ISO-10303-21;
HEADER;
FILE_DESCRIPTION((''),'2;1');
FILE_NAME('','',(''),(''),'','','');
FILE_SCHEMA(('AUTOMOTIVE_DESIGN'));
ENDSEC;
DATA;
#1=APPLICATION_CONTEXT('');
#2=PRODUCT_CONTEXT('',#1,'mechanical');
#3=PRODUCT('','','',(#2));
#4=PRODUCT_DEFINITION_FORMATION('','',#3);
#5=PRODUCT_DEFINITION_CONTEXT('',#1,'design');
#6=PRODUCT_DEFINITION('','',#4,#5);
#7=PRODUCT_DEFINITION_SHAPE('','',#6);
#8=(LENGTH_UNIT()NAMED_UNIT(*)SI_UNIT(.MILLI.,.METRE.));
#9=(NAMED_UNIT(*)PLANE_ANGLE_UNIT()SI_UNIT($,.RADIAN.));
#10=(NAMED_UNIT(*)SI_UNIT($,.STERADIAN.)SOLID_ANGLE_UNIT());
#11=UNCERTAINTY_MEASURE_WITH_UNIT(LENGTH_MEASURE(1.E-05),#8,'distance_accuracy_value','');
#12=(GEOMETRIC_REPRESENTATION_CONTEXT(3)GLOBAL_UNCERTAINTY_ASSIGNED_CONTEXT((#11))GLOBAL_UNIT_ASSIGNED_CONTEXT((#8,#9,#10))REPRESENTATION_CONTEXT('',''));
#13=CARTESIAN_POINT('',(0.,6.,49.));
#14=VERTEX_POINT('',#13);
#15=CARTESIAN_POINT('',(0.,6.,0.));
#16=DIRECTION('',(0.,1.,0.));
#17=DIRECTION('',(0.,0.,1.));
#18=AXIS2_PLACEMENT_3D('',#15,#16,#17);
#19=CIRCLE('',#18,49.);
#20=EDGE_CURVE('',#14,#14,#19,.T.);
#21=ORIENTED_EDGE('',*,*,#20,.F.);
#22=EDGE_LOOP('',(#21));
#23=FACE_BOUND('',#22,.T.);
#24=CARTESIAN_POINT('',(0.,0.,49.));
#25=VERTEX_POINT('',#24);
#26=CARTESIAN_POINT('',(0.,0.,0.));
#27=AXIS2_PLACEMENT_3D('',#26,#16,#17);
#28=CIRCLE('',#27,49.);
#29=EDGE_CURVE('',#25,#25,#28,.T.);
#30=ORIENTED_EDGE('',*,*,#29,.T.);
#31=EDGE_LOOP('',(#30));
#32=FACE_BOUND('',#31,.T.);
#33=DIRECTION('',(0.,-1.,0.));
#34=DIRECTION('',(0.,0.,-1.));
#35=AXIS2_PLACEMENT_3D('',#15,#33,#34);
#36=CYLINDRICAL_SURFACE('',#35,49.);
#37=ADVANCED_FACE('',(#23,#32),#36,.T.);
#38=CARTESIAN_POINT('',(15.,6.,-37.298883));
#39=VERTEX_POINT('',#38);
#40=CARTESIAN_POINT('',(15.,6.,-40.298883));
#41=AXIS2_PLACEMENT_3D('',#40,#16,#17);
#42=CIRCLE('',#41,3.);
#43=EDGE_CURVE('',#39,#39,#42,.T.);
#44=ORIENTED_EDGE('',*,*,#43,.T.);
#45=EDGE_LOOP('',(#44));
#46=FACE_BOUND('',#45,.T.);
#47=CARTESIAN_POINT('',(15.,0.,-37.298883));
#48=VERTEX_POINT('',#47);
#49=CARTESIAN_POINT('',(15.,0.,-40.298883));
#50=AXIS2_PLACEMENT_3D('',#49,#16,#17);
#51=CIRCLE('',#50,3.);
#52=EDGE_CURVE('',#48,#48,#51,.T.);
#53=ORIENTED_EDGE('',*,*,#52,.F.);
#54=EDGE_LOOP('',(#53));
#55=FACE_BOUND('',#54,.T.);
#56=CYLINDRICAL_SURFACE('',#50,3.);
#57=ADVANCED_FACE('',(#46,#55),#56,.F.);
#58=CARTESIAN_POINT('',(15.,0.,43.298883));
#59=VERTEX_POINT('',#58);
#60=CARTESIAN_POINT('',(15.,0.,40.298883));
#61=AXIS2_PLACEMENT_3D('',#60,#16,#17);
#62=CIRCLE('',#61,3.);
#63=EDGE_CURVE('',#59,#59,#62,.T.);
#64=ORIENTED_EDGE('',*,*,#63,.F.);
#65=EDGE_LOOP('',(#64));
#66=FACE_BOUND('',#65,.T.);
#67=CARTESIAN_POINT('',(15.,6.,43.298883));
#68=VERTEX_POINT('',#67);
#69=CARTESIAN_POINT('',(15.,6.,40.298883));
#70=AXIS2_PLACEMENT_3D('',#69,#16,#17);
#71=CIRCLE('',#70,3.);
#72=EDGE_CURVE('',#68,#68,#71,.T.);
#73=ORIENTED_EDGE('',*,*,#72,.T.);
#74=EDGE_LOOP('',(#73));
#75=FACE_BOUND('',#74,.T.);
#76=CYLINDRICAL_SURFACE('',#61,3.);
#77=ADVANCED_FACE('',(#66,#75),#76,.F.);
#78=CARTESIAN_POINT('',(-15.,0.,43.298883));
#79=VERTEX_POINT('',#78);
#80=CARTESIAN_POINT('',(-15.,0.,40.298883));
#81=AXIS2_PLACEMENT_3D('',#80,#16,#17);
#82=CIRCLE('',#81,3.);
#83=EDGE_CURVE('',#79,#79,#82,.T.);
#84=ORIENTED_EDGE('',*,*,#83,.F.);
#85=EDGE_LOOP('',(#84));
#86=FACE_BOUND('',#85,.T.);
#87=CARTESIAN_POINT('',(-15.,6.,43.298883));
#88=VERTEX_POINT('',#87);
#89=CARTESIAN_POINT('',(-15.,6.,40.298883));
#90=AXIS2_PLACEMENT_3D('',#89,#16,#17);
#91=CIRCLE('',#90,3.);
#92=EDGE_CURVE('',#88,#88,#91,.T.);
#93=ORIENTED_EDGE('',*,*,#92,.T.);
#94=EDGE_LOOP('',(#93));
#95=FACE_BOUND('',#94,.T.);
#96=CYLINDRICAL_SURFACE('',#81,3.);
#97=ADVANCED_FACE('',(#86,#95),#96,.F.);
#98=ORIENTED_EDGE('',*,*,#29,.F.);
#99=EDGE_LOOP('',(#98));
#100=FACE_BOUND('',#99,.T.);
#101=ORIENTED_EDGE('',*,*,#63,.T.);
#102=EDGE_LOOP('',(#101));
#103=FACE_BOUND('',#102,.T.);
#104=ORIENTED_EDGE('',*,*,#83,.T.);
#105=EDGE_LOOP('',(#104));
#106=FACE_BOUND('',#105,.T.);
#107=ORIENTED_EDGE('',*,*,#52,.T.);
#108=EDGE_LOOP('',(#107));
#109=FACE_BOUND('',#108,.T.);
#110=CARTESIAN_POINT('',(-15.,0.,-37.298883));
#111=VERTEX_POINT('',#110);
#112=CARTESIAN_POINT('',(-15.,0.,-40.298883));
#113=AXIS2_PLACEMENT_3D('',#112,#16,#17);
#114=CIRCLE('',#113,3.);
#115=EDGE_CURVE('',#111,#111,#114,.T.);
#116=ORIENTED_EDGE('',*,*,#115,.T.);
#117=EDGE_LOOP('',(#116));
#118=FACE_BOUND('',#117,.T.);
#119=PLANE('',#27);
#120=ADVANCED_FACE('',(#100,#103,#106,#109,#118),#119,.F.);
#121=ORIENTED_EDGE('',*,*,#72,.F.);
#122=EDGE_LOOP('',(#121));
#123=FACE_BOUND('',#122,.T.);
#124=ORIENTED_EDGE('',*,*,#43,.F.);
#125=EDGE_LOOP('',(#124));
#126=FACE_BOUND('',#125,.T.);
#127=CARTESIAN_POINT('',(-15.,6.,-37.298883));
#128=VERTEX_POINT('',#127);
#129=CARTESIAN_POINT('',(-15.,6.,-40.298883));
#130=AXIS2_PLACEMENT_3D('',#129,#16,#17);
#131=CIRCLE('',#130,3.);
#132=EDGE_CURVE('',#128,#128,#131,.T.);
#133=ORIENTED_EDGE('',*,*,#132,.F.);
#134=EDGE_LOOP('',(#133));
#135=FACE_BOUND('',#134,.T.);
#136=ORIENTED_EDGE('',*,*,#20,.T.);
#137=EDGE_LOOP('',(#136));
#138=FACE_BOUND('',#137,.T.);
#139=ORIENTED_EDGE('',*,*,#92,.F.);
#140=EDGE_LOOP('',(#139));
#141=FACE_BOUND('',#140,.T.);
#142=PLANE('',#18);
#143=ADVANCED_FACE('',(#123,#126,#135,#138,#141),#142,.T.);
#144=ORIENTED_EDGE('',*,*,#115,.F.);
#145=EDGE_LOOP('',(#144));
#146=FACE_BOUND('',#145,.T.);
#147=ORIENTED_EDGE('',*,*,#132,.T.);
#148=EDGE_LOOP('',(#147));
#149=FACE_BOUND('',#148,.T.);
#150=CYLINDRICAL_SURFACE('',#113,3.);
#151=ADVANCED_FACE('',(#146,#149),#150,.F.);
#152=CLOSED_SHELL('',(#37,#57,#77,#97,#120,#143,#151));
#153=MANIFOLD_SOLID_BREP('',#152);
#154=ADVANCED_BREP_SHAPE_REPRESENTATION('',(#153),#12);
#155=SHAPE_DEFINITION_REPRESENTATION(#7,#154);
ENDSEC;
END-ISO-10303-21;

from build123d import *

# Parameters (mm, degrees)
SKETCH1_R           = 49
BOSS_EXTRUDE1_DEPTH = 6
SKETCH2_R           = 3
CUT_EXTRUDE2_DEPTH  = 6


with BuildPart() as part:
    # Sketch1 → Boss-Extrude1 (new body)
    with BuildSketch(Plane(origin=(0, 0, 0), x_dir=(1, 0, 0), z_dir=(0, 1, 0))):
        with Locations(Location((0, 0, 0), (0, 0, 270))):
            Circle(SKETCH1_R)
    extrude(amount=BOSS_EXTRUDE1_DEPTH)

    # Sketch2 → Cut-Extrude2 (cut)
    with BuildSketch(Plane(origin=(0, 6, 0), x_dir=(1, 0, 0), z_dir=(0, 1, 0))):
        with Locations(Location((-15, 40.298883359, 0), (0, 0, 270))):
            Circle(SKETCH2_R)
        with Locations(Location((15, 40.298883359, 0), (0, 0, 270))):
            Circle(SKETCH2_R)
        with Locations(Location((-15, -40.298883359, 0), (0, 0, 270))):
            Circle(SKETCH2_R)
        with Locations(Location((15, -40.298883359, 0), (0, 0, 270))):
            Circle(SKETCH2_R)
    extrude(amount=-CUT_EXTRUDE2_DEPTH, mode=Mode.SUBTRACT)


solid = part.part
